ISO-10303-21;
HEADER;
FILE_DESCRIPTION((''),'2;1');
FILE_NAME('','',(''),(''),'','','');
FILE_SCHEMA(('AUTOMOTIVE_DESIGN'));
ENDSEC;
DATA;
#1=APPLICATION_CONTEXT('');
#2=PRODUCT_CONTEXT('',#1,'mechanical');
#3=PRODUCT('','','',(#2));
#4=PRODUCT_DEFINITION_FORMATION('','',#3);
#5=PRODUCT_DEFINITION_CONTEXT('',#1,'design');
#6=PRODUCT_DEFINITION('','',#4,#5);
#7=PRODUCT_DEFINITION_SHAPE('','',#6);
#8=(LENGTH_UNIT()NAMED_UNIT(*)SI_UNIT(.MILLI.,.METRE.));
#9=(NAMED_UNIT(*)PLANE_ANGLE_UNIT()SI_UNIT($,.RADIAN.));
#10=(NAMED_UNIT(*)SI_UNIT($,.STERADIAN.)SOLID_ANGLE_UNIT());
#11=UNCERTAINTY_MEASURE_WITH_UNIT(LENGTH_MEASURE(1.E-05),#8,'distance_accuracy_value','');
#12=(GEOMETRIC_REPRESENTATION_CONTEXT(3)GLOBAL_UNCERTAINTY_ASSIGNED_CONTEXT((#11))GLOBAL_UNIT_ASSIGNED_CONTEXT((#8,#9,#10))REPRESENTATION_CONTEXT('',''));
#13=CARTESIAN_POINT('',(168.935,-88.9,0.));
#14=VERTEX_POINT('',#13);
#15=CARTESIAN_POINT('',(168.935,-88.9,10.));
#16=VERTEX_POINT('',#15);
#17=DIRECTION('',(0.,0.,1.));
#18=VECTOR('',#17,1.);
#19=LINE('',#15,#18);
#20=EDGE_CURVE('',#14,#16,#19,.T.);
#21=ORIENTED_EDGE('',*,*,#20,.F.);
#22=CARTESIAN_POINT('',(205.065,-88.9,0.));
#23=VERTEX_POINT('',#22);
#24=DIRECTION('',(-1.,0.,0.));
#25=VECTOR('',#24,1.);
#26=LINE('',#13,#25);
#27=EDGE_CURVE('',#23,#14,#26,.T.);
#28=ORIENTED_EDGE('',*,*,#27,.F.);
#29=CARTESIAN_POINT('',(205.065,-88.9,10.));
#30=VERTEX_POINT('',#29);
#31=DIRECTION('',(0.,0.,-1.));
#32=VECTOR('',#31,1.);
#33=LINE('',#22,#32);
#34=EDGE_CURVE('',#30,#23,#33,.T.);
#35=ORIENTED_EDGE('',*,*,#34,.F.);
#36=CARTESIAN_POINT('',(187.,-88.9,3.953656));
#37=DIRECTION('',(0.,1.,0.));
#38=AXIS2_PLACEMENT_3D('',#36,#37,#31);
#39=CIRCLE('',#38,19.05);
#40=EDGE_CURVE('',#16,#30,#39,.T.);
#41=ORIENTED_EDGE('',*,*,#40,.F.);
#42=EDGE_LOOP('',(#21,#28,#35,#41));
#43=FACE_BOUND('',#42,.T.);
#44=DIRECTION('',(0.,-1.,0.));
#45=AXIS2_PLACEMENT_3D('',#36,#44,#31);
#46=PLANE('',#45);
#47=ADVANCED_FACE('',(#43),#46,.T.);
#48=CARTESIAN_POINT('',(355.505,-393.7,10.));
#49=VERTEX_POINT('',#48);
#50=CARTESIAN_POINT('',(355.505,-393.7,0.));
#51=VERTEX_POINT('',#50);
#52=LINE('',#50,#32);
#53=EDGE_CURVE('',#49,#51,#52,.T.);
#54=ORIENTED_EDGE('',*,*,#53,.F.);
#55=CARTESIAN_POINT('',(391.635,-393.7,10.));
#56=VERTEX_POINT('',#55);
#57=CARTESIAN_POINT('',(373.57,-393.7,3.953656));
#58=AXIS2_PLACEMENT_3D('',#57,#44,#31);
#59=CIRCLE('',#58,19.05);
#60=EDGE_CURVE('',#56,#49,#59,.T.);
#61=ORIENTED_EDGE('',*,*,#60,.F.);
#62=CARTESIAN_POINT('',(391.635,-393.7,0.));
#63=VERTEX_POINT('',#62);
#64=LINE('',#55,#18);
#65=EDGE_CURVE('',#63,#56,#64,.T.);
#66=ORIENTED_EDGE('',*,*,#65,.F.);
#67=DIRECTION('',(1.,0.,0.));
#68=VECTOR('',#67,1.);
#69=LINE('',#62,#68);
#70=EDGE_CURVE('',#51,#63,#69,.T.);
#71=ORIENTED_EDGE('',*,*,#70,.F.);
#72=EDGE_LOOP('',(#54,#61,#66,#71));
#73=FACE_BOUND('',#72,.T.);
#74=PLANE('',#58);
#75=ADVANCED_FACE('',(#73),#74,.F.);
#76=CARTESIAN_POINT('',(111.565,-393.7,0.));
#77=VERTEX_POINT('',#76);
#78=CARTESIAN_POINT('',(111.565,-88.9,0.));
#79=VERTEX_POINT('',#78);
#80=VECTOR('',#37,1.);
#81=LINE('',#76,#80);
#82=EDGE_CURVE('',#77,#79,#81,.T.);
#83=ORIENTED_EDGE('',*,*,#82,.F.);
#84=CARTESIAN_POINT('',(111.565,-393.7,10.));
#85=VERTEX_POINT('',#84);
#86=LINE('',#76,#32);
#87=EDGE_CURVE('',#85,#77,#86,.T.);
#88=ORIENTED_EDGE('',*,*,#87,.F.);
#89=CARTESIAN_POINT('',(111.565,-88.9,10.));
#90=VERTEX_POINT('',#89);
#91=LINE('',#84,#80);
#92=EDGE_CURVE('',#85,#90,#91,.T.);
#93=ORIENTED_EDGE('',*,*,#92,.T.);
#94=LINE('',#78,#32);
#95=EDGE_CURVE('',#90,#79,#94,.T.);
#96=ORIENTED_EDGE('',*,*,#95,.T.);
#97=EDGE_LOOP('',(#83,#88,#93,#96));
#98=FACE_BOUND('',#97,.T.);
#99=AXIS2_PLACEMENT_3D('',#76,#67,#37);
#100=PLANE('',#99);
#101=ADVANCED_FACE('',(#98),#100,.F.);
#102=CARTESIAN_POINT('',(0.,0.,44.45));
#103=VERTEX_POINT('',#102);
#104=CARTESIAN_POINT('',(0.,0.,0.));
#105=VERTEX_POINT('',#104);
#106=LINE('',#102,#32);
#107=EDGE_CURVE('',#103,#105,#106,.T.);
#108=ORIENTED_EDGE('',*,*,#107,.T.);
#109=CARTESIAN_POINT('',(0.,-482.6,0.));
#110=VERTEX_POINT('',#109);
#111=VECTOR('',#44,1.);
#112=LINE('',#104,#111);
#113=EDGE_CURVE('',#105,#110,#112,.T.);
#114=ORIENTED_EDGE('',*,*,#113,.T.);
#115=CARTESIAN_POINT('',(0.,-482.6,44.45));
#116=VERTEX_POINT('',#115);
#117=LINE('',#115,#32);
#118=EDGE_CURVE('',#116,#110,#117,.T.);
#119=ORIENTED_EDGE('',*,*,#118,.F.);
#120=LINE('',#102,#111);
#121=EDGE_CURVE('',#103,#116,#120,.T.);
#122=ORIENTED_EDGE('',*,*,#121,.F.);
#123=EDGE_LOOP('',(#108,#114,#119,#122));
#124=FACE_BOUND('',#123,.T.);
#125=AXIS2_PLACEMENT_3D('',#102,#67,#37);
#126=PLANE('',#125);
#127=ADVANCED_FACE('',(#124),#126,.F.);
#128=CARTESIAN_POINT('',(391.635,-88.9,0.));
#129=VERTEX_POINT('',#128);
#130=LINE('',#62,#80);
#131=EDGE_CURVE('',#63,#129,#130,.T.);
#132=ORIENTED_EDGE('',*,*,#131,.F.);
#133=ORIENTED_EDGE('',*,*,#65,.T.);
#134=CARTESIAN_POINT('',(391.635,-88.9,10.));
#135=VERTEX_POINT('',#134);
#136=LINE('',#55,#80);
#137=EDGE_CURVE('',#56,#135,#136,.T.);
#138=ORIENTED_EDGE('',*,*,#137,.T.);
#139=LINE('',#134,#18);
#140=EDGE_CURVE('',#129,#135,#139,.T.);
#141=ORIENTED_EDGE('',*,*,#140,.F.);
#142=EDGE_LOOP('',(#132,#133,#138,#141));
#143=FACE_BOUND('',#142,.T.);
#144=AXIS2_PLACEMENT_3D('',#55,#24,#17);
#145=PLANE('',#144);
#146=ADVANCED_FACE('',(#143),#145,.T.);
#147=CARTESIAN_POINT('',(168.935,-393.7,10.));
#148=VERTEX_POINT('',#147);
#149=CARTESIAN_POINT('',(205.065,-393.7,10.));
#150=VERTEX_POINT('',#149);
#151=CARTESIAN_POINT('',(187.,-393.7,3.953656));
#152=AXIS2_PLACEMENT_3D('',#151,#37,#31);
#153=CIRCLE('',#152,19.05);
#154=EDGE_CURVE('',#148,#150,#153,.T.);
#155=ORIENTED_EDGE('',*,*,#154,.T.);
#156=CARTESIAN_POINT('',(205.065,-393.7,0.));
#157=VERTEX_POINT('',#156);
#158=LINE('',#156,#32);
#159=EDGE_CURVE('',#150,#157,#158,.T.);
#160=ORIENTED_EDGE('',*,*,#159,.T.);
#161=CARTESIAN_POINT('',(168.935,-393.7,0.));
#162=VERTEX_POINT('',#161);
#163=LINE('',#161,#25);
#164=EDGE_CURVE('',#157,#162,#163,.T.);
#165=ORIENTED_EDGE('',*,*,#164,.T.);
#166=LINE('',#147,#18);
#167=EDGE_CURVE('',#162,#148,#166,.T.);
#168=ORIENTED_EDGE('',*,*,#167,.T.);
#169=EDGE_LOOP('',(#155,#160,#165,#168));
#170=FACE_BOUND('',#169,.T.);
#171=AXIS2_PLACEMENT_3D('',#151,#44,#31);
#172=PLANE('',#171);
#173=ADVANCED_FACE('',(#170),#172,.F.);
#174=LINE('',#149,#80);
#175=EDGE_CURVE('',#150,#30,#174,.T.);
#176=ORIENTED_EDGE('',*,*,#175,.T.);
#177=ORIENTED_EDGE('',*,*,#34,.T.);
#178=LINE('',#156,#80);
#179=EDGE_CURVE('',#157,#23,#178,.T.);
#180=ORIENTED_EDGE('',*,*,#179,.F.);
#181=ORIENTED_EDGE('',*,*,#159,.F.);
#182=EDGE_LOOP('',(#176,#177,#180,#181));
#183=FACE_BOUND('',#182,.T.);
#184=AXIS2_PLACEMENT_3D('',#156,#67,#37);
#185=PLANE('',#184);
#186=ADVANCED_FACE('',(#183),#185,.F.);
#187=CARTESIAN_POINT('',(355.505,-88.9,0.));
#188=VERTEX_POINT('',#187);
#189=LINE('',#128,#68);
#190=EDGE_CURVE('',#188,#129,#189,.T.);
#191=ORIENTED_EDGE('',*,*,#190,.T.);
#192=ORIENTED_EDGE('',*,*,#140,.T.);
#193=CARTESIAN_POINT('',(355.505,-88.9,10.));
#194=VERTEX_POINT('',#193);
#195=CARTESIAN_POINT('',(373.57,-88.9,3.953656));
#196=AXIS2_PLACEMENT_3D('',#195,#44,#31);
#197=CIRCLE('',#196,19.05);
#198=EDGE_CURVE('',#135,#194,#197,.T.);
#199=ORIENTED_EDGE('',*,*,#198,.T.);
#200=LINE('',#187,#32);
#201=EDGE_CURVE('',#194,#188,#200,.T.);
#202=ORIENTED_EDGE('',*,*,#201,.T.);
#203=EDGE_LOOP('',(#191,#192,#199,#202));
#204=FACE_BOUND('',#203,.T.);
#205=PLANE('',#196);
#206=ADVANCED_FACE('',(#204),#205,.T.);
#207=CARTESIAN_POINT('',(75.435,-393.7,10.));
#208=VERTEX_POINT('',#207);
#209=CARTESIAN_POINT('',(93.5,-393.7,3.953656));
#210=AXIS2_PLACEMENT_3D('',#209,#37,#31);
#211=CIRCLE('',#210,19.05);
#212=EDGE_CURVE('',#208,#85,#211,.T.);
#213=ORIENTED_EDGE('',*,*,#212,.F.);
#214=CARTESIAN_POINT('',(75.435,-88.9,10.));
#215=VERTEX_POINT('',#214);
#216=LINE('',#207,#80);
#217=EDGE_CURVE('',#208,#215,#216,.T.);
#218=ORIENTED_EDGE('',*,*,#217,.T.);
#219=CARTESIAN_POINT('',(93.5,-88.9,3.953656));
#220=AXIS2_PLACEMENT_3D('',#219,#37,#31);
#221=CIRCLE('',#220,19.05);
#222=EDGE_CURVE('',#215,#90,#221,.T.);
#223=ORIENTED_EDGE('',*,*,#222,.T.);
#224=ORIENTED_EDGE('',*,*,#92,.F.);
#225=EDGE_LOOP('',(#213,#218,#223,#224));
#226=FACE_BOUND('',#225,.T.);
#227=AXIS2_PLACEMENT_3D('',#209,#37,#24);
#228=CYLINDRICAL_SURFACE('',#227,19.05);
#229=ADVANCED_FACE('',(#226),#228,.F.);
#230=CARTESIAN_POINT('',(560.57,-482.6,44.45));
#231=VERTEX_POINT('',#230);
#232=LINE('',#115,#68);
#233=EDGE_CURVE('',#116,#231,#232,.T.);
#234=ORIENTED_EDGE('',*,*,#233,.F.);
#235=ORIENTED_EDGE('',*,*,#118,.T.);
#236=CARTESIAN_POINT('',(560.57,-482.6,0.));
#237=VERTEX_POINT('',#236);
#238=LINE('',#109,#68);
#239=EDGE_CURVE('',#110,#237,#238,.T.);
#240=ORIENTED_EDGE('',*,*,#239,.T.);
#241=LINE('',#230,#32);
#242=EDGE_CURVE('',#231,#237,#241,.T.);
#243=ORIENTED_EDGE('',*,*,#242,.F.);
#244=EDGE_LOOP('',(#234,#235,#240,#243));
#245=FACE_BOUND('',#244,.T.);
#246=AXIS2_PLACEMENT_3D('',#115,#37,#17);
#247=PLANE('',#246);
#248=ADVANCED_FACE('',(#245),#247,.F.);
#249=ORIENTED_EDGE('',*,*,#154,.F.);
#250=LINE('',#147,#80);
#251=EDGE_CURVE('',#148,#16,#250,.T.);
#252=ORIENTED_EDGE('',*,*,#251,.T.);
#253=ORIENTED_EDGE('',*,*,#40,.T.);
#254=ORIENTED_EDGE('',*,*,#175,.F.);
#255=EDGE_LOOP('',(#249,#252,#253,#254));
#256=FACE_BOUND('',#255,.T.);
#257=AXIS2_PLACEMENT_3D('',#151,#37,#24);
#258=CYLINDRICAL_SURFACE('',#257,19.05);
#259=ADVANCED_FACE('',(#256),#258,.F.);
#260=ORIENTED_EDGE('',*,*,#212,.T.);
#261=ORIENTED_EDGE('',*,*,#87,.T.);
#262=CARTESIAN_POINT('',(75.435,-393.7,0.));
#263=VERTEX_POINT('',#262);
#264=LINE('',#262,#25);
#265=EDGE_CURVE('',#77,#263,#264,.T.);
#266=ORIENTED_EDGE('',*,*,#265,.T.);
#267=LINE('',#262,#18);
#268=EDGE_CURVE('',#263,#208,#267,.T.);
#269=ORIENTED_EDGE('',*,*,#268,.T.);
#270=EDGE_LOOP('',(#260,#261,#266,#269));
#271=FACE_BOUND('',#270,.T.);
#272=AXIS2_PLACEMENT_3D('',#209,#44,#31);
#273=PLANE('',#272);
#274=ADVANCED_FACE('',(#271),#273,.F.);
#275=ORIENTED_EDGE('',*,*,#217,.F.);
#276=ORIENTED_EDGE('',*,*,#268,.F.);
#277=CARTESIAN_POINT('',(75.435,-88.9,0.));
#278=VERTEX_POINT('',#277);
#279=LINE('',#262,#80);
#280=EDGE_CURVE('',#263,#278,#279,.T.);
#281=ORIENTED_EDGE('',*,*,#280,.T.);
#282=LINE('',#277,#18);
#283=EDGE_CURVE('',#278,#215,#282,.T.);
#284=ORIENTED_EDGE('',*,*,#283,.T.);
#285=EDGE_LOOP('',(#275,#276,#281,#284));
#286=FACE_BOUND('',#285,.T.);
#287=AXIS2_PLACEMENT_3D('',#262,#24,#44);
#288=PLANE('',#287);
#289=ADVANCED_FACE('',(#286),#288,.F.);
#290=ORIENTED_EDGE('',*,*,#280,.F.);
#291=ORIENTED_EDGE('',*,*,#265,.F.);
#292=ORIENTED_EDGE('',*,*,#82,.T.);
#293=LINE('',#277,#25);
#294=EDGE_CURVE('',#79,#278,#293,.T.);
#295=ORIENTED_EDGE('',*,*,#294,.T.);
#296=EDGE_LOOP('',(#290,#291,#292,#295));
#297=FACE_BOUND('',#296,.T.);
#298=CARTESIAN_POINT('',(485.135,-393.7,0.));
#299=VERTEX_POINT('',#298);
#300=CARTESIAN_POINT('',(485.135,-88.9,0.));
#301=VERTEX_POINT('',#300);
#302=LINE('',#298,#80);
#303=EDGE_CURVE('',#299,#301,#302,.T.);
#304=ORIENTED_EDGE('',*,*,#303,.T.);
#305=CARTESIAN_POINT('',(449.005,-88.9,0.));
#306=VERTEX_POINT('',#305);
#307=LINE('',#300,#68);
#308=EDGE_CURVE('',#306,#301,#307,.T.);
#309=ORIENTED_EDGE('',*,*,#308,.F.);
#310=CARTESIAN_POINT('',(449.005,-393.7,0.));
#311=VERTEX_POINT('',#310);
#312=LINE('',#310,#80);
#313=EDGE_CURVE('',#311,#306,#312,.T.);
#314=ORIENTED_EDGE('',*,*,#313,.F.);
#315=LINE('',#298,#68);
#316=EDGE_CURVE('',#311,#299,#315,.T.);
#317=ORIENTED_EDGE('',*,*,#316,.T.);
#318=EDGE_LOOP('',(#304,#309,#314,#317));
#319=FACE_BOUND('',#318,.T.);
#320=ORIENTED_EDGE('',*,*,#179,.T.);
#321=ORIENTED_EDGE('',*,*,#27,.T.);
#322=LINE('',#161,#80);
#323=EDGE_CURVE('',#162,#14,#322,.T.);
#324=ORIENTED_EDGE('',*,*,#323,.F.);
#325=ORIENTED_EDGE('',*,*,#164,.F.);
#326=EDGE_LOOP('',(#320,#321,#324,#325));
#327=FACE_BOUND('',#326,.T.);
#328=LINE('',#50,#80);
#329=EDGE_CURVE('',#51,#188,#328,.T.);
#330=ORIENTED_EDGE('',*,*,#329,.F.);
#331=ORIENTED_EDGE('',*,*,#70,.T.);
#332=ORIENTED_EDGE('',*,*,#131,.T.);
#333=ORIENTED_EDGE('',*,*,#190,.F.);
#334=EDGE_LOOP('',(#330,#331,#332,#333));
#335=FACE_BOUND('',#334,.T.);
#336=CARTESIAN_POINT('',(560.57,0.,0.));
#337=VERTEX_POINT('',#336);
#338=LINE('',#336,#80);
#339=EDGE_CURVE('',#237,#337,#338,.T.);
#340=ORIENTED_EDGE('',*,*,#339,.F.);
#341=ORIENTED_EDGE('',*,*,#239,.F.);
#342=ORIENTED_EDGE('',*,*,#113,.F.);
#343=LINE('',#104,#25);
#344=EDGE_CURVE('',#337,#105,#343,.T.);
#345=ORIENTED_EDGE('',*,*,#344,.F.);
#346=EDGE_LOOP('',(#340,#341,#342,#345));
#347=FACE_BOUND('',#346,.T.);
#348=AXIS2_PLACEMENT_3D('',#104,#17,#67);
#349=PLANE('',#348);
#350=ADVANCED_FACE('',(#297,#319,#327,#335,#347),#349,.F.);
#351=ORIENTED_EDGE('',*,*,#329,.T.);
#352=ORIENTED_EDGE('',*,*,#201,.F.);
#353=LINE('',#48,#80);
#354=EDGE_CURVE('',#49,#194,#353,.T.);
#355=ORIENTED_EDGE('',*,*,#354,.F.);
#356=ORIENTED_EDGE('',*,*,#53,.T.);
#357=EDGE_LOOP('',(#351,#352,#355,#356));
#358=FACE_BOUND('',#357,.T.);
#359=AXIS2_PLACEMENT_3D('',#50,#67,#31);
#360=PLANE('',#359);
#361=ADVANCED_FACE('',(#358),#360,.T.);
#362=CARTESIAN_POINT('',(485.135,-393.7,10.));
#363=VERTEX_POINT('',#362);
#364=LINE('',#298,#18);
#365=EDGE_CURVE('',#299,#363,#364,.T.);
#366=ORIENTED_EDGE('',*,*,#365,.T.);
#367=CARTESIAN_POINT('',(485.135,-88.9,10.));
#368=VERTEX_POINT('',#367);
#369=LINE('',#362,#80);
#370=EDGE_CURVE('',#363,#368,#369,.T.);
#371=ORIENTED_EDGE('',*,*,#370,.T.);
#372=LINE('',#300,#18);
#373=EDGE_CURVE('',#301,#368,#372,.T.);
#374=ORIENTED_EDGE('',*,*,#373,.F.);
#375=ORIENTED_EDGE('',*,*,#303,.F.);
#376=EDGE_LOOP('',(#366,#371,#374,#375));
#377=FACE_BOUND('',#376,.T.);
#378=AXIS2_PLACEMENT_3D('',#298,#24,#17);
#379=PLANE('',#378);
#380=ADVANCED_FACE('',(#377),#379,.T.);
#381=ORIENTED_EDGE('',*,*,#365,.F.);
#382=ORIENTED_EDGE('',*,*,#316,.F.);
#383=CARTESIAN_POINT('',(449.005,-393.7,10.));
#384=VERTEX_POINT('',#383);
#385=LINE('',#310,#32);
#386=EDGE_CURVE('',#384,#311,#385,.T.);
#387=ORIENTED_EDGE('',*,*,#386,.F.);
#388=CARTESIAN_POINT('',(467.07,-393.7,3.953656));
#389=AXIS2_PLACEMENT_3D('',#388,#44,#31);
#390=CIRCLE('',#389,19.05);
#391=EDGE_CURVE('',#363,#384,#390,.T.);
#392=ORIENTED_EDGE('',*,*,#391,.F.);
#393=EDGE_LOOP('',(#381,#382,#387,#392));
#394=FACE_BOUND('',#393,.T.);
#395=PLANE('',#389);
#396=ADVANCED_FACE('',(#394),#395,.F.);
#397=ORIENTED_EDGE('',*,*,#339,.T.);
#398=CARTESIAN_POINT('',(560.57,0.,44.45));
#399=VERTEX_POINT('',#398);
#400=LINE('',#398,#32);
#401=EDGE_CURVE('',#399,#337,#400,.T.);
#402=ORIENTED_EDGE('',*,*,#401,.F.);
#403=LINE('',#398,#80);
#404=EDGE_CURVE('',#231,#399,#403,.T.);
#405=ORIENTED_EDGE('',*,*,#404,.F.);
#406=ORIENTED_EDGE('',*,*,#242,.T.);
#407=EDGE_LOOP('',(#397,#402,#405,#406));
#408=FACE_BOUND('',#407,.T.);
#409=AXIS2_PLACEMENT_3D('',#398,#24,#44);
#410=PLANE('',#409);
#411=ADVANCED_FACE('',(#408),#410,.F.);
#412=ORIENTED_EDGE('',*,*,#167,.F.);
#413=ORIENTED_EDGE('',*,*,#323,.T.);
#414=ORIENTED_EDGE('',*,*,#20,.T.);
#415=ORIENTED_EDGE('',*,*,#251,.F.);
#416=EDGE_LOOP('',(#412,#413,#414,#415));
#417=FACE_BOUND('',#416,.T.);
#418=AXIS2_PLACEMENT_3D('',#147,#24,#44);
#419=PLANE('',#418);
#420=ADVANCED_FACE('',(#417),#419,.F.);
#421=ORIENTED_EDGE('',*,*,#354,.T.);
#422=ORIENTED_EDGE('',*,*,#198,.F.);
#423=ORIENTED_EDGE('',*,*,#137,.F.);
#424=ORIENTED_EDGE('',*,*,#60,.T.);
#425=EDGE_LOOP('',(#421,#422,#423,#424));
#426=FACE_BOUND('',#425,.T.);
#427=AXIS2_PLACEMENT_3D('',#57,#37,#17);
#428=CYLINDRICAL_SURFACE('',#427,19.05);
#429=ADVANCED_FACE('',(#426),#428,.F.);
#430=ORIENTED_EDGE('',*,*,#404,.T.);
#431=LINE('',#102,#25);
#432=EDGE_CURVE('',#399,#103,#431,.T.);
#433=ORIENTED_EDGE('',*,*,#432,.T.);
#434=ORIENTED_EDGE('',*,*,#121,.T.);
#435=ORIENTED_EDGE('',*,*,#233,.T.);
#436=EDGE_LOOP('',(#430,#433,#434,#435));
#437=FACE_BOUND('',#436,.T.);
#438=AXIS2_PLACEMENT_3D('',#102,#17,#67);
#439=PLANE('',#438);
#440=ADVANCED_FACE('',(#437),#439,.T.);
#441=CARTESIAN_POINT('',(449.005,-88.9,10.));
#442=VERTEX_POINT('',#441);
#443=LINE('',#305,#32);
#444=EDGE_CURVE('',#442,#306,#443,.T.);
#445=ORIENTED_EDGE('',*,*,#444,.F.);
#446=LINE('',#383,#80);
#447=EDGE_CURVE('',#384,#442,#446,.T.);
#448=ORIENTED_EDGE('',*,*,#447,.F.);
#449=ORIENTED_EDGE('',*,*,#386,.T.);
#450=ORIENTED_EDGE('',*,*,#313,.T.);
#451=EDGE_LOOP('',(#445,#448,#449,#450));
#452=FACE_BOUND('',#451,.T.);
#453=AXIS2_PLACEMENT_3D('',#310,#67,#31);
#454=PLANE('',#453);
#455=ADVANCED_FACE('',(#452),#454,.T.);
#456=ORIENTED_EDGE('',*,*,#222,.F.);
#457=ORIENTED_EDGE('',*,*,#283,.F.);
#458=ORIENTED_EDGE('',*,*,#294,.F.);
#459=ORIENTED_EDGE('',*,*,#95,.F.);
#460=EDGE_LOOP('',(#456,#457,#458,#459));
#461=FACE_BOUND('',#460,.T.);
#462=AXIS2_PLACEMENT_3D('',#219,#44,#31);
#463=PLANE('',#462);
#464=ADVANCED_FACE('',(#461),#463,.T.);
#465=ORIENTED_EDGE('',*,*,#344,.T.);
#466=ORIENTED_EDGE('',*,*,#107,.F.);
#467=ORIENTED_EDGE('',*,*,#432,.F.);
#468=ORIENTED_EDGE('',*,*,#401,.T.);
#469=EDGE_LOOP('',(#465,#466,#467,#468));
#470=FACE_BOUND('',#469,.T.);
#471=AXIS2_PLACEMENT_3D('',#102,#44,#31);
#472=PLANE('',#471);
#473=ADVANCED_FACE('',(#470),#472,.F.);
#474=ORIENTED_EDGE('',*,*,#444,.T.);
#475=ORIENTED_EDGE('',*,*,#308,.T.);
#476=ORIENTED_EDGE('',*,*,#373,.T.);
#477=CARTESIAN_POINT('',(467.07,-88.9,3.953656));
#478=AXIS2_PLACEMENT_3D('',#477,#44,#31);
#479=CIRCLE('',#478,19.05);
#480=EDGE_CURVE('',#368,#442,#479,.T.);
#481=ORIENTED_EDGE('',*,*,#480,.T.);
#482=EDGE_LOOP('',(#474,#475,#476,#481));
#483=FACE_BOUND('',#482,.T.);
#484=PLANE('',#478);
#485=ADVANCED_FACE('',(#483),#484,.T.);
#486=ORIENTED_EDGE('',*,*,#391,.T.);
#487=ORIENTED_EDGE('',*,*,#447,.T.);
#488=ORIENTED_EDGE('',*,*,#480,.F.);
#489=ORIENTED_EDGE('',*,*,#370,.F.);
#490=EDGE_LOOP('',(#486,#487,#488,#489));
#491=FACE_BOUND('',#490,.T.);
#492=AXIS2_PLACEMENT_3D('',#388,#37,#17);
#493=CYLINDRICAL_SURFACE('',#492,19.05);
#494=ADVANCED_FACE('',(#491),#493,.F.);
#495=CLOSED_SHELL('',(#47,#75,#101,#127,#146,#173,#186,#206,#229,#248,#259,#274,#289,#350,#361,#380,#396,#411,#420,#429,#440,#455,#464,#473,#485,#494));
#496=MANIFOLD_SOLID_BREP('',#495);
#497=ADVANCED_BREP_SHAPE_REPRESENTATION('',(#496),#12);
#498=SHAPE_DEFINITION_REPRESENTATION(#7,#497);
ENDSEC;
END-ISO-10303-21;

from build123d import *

# Parameters (mm, degrees)
SKETCH1_W           = 560.57
SKETCH1_H           = 482.6
BOSS_EXTRUDE1_DEPTH = 44.45
CUT_EXTRUDE1_DEPTH  = 152.4


with BuildPart() as part:
    # Sketch1 → Boss-Extrude1 (new body)
    with BuildSketch(Plane.XY):
        with Locations((280.285, -241.3)):
            Rectangle(SKETCH1_W, SKETCH1_H)
    extrude(amount=BOSS_EXTRUDE1_DEPTH)

    # Sketch2 → Cut-Extrude1 (cut, symmetric)
    with BuildSketch(Plane(origin=(0, -241.3, 0), x_dir=(-1, 0, 0), z_dir=(0, -1, 0))):
        with BuildLine():
            Line((-485.135, 0), (-485.135, -10))
            ThreePointArc((-485.135, -10), (-467.07, -23.003655986), (-449.005, -10))
            Line((-449.005, -10), (-449.005, 0))
            Line((-449.005, 0), (-485.135, 0))
        make_face()
        with BuildLine():
            Line((-391.635, -10), (-391.635, 0))
            Line((-391.635, 0), (-355.505, 0))
            Line((-355.505, 0), (-355.505, -10))
            ThreePointArc((-355.505, -10), (-373.57, -23.003655986), (-391.635, -10))
        make_face()
    cut_extrude1 = extrude(amount=CUT_EXTRUDE1_DEPTH, both=True, mode=Mode.SUBTRACT)

    # Mirror1: Cut-Extrude1 across plane
    add(cut_extrude1.mirror(Plane.ZY.offset(-280.285)), mode=Mode.SUBTRACT)


solid = part.part
